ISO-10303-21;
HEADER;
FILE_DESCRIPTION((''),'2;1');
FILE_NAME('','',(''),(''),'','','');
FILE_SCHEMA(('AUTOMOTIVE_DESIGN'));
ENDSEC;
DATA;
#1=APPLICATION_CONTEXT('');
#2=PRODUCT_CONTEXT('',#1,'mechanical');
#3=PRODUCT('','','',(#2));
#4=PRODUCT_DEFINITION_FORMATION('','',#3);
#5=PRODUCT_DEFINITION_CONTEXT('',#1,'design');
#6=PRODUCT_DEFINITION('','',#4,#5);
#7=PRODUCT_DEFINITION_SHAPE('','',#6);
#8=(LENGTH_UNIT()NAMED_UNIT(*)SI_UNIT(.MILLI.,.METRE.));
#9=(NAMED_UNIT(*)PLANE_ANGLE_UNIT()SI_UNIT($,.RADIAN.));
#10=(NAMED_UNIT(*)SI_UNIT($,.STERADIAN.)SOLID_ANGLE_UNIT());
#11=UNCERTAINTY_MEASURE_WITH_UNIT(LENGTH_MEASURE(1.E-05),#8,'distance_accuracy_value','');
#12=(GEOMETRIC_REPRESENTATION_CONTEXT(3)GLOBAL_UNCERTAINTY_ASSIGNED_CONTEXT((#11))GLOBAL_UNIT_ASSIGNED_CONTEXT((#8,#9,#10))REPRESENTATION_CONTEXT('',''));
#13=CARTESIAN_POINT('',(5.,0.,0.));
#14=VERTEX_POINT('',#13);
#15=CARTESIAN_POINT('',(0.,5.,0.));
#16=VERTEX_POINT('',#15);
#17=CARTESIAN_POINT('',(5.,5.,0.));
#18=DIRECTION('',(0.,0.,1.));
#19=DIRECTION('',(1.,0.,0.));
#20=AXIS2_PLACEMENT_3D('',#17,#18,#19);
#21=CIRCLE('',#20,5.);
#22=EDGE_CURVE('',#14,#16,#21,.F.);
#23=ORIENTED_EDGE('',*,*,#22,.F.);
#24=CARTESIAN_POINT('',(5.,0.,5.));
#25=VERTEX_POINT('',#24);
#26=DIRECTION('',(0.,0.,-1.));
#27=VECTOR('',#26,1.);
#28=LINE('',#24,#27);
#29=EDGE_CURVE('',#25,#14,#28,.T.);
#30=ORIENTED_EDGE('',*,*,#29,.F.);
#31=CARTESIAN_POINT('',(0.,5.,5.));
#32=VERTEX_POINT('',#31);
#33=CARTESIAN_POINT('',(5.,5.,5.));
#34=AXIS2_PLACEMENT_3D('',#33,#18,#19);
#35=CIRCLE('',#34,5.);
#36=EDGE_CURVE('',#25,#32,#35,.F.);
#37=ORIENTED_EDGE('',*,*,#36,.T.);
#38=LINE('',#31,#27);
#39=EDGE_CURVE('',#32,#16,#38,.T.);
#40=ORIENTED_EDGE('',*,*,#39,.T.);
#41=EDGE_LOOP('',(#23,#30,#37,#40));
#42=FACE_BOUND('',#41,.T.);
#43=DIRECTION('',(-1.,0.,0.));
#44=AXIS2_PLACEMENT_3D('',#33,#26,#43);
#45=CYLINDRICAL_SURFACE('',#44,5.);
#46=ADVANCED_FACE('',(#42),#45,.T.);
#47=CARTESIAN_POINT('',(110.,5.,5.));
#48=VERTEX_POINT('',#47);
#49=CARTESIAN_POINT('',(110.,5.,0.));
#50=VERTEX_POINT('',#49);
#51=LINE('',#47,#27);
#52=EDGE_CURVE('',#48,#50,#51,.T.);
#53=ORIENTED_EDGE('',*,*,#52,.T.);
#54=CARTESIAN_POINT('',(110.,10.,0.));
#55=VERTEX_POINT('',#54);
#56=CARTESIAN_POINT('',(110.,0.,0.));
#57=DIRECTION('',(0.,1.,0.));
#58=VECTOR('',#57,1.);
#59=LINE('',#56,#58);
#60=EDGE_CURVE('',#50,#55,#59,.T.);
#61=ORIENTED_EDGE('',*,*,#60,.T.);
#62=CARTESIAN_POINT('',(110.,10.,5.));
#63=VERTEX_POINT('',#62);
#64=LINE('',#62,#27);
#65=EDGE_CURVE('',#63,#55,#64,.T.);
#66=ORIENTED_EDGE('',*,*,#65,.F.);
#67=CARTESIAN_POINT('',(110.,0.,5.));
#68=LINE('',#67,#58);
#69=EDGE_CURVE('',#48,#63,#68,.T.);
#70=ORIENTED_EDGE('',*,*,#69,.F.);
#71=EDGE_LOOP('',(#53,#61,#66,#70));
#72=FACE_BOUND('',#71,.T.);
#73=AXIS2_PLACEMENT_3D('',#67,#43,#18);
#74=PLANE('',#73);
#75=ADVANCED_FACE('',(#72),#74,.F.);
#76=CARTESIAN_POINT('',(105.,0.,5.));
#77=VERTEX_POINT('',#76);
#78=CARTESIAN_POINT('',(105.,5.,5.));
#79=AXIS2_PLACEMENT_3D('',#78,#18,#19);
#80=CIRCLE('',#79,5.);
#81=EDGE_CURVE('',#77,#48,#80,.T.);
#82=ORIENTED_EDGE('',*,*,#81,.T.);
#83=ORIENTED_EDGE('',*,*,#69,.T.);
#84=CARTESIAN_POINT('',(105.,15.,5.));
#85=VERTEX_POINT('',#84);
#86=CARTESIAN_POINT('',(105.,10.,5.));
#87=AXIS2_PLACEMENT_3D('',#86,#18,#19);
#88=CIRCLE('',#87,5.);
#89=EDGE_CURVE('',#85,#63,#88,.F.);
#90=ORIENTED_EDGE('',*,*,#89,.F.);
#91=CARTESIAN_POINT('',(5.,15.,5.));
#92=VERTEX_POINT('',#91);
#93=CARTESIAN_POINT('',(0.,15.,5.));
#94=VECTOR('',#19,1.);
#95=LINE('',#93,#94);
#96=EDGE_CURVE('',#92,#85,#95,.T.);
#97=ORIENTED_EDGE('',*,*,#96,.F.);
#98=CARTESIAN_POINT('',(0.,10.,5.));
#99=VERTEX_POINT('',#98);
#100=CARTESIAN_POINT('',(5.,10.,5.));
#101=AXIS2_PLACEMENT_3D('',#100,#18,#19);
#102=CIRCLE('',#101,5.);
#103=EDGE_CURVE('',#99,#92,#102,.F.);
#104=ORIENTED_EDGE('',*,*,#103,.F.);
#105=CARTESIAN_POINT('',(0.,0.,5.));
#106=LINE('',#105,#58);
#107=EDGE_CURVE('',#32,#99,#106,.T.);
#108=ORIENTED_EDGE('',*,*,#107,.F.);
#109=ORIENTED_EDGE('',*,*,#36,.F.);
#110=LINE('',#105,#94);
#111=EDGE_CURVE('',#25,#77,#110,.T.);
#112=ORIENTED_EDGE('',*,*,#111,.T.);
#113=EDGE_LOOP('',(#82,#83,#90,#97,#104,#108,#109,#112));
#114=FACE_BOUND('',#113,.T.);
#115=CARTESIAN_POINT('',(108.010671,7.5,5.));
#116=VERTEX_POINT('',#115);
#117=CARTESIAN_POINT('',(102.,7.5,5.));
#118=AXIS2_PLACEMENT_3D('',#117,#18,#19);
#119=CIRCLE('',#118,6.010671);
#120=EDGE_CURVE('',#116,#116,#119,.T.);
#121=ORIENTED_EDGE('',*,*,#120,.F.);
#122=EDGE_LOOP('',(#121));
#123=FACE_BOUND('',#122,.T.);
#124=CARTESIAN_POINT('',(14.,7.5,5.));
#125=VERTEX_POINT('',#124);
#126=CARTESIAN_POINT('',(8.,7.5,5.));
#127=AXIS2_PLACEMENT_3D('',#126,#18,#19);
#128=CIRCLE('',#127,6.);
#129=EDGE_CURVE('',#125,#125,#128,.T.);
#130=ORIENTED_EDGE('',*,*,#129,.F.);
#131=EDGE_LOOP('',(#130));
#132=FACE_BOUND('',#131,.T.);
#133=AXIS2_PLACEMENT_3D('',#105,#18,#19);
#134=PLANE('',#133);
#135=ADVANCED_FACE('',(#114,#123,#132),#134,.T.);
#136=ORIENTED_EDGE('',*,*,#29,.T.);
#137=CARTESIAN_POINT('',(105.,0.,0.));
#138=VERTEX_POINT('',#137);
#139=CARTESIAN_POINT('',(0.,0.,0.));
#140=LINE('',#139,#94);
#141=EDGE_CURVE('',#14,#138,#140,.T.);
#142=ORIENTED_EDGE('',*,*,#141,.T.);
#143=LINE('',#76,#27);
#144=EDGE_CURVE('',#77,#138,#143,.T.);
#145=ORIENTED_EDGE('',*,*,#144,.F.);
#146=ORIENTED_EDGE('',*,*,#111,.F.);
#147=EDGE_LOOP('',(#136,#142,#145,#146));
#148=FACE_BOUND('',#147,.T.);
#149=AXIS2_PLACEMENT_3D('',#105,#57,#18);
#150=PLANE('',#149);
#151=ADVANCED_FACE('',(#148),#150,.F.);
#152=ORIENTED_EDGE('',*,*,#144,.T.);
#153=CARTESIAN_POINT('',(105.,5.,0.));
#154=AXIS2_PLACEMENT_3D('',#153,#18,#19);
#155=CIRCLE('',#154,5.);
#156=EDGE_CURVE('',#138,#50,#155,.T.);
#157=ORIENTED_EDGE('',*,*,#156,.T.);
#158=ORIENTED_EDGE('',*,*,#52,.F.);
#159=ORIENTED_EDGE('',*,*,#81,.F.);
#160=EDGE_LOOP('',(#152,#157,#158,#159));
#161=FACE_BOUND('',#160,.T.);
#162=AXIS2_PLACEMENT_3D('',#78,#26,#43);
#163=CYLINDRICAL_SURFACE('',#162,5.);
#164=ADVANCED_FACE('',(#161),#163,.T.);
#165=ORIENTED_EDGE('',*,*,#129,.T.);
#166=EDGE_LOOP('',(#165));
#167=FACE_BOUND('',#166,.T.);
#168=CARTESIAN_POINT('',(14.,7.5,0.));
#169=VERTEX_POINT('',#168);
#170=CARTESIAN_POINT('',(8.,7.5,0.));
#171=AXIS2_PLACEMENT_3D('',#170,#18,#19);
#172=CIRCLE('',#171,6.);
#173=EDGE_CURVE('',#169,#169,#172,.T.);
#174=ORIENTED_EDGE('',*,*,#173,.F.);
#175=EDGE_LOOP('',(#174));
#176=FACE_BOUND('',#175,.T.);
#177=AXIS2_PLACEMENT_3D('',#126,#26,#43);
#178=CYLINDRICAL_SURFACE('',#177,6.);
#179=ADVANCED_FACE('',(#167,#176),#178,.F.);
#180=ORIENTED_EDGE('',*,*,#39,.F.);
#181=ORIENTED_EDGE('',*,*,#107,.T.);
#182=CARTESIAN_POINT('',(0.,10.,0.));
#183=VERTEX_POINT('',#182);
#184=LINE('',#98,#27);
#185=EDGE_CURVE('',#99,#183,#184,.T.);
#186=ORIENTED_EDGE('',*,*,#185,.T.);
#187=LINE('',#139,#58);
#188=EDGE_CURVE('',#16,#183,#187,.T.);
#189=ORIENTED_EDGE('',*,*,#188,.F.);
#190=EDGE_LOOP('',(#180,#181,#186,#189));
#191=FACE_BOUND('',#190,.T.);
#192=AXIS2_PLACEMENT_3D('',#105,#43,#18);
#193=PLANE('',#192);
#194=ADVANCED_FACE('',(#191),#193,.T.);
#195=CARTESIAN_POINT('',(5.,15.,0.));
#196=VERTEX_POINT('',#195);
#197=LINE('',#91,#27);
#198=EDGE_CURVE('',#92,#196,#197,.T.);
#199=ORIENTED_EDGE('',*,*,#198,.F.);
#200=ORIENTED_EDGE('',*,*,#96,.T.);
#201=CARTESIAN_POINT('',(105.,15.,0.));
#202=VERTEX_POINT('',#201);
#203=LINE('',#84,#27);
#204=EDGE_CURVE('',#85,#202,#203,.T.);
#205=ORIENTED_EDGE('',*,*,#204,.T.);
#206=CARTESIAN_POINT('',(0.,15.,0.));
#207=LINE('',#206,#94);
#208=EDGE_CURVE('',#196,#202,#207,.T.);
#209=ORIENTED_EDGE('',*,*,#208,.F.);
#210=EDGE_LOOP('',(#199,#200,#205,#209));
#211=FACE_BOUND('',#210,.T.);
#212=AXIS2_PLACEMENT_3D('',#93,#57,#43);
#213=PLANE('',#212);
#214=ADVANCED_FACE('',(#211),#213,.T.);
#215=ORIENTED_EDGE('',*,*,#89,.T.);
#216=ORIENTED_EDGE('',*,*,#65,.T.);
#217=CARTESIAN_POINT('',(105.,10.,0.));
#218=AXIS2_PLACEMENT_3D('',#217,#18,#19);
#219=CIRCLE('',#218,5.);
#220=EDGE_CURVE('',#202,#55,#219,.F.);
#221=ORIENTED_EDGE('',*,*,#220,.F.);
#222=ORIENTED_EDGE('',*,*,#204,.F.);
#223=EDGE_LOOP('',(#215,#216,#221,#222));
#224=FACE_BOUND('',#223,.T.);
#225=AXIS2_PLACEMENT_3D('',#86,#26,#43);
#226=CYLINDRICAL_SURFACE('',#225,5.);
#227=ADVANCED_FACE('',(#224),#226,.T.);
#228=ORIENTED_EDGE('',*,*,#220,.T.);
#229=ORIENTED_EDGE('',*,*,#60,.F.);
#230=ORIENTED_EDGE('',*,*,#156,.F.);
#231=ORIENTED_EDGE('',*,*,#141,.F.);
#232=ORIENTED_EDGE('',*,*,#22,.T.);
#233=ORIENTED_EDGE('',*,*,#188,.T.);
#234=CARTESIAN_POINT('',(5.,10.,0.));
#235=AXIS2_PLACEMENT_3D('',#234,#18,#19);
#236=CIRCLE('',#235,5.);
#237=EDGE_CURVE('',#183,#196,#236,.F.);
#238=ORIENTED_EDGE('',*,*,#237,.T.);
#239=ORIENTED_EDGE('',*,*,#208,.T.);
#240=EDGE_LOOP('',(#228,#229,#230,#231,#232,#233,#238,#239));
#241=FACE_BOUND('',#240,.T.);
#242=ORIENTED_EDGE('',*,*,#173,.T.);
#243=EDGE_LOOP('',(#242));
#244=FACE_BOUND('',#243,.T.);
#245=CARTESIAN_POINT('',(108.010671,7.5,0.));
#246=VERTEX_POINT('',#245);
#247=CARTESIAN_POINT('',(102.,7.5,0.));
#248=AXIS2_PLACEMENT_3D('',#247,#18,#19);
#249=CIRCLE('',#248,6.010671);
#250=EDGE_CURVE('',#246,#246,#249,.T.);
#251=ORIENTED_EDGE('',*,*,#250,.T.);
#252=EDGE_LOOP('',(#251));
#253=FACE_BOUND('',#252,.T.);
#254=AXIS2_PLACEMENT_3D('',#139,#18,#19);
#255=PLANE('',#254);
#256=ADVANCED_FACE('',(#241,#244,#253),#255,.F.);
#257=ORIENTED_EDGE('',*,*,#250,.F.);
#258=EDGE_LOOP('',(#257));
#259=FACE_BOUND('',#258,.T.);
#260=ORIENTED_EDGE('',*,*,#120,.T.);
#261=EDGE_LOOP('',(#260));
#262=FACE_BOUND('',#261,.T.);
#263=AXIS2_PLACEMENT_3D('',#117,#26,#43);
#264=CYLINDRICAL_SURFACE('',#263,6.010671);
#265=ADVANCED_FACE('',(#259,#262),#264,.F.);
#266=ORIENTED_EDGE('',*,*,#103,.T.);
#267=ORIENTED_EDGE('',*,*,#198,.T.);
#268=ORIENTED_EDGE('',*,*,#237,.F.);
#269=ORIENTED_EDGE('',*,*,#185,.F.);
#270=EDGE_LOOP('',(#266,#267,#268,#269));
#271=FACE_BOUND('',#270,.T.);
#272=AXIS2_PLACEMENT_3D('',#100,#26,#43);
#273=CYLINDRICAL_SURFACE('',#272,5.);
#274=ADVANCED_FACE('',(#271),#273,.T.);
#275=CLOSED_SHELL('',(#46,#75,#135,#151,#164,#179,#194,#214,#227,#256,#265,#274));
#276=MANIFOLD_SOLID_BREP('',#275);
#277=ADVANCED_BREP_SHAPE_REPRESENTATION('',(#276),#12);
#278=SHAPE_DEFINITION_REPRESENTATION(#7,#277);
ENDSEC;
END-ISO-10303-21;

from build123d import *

# Parameters (mm, degrees)
EXTRUDE_1_DEPTH = 5


with BuildPart() as part:
    # 草图1 → 凸台-拉伸1 (new body)
    with BuildSketch(Plane.XY):
        with BuildLine():
            Line((95.989328864, 7.5), (14, 7.5))
            ThreePointArc((14, 7.5), (11, 2.303847577), (5, 2.303847577))
            Line((5, 2.303847577), (5, 0))
            Line((5, 0), (105, 0))
            Line((105, 0), (105, 2.291529254))
            ThreePointArc((105, 2.291529254), (98.991997831, 2.296146576), (95.989328864, 7.5))
        make_face()
        with BuildLine():
            ThreePointArc((5, 2.303847577), (2.803847577, 4.5), (2, 7.5))
            Line((2, 7.5), (0, 7.5))
            Line((0, 7.5), (0, 5))
            ThreePointArc((0, 5), (1.464466094, 1.464466094), (5, 0))
            Line((5, 0), (5, 2.303847577))
        make_face()
        with BuildLine():
            Line((5, 12.696152423), (5, 15))
            ThreePointArc((5, 15), (1.464466094, 13.535533906), (0, 10))
            Line((0, 10), (0, 7.5))
            Line((0, 7.5), (2, 7.5))
            ThreePointArc((2, 7.5), (2.803847577, 10.5), (5, 12.696152423))
        make_face()
        with BuildLine():
            Line((105, 15), (5, 15))
            Line((5, 15), (5, 12.696152423))
            ThreePointArc((5, 12.696152423), (11, 12.696152423), (14, 7.5))
            Line((14, 7.5), (95.989328864, 7.5))
            ThreePointArc((95.989328864, 7.5), (98.991997831, 12.703853424), (105, 12.708470746))
            Line((105, 12.708470746), (105, 15))
        make_face()
        with BuildLine():
            ThreePointArc((110, 10), (108.535533906, 13.535533906), (105, 15))
            Line((105, 15), (105, 12.708470746))
            ThreePointArc((105, 12.708470746), (107.203853424, 10.508002169), (108.010671136, 7.5))
            Line((108.010671136, 7.5), (110, 7.5))
            Line((110, 7.5), (110, 10))
        make_face()
        with BuildLine():
            Line((110, 7.5), (108.010671136, 7.5))
            ThreePointArc((108.010671136, 7.5), (107.203853424, 4.491997831), (105, 2.291529254))
            Line((105, 2.291529254), (105, 0))
            ThreePointArc((105, 0), (108.535533906, 1.464466094), (110, 5))
            Line((110, 5), (110, 7.5))
        make_face()
    extrude(amount=EXTRUDE_1_DEPTH)


solid = part.part
